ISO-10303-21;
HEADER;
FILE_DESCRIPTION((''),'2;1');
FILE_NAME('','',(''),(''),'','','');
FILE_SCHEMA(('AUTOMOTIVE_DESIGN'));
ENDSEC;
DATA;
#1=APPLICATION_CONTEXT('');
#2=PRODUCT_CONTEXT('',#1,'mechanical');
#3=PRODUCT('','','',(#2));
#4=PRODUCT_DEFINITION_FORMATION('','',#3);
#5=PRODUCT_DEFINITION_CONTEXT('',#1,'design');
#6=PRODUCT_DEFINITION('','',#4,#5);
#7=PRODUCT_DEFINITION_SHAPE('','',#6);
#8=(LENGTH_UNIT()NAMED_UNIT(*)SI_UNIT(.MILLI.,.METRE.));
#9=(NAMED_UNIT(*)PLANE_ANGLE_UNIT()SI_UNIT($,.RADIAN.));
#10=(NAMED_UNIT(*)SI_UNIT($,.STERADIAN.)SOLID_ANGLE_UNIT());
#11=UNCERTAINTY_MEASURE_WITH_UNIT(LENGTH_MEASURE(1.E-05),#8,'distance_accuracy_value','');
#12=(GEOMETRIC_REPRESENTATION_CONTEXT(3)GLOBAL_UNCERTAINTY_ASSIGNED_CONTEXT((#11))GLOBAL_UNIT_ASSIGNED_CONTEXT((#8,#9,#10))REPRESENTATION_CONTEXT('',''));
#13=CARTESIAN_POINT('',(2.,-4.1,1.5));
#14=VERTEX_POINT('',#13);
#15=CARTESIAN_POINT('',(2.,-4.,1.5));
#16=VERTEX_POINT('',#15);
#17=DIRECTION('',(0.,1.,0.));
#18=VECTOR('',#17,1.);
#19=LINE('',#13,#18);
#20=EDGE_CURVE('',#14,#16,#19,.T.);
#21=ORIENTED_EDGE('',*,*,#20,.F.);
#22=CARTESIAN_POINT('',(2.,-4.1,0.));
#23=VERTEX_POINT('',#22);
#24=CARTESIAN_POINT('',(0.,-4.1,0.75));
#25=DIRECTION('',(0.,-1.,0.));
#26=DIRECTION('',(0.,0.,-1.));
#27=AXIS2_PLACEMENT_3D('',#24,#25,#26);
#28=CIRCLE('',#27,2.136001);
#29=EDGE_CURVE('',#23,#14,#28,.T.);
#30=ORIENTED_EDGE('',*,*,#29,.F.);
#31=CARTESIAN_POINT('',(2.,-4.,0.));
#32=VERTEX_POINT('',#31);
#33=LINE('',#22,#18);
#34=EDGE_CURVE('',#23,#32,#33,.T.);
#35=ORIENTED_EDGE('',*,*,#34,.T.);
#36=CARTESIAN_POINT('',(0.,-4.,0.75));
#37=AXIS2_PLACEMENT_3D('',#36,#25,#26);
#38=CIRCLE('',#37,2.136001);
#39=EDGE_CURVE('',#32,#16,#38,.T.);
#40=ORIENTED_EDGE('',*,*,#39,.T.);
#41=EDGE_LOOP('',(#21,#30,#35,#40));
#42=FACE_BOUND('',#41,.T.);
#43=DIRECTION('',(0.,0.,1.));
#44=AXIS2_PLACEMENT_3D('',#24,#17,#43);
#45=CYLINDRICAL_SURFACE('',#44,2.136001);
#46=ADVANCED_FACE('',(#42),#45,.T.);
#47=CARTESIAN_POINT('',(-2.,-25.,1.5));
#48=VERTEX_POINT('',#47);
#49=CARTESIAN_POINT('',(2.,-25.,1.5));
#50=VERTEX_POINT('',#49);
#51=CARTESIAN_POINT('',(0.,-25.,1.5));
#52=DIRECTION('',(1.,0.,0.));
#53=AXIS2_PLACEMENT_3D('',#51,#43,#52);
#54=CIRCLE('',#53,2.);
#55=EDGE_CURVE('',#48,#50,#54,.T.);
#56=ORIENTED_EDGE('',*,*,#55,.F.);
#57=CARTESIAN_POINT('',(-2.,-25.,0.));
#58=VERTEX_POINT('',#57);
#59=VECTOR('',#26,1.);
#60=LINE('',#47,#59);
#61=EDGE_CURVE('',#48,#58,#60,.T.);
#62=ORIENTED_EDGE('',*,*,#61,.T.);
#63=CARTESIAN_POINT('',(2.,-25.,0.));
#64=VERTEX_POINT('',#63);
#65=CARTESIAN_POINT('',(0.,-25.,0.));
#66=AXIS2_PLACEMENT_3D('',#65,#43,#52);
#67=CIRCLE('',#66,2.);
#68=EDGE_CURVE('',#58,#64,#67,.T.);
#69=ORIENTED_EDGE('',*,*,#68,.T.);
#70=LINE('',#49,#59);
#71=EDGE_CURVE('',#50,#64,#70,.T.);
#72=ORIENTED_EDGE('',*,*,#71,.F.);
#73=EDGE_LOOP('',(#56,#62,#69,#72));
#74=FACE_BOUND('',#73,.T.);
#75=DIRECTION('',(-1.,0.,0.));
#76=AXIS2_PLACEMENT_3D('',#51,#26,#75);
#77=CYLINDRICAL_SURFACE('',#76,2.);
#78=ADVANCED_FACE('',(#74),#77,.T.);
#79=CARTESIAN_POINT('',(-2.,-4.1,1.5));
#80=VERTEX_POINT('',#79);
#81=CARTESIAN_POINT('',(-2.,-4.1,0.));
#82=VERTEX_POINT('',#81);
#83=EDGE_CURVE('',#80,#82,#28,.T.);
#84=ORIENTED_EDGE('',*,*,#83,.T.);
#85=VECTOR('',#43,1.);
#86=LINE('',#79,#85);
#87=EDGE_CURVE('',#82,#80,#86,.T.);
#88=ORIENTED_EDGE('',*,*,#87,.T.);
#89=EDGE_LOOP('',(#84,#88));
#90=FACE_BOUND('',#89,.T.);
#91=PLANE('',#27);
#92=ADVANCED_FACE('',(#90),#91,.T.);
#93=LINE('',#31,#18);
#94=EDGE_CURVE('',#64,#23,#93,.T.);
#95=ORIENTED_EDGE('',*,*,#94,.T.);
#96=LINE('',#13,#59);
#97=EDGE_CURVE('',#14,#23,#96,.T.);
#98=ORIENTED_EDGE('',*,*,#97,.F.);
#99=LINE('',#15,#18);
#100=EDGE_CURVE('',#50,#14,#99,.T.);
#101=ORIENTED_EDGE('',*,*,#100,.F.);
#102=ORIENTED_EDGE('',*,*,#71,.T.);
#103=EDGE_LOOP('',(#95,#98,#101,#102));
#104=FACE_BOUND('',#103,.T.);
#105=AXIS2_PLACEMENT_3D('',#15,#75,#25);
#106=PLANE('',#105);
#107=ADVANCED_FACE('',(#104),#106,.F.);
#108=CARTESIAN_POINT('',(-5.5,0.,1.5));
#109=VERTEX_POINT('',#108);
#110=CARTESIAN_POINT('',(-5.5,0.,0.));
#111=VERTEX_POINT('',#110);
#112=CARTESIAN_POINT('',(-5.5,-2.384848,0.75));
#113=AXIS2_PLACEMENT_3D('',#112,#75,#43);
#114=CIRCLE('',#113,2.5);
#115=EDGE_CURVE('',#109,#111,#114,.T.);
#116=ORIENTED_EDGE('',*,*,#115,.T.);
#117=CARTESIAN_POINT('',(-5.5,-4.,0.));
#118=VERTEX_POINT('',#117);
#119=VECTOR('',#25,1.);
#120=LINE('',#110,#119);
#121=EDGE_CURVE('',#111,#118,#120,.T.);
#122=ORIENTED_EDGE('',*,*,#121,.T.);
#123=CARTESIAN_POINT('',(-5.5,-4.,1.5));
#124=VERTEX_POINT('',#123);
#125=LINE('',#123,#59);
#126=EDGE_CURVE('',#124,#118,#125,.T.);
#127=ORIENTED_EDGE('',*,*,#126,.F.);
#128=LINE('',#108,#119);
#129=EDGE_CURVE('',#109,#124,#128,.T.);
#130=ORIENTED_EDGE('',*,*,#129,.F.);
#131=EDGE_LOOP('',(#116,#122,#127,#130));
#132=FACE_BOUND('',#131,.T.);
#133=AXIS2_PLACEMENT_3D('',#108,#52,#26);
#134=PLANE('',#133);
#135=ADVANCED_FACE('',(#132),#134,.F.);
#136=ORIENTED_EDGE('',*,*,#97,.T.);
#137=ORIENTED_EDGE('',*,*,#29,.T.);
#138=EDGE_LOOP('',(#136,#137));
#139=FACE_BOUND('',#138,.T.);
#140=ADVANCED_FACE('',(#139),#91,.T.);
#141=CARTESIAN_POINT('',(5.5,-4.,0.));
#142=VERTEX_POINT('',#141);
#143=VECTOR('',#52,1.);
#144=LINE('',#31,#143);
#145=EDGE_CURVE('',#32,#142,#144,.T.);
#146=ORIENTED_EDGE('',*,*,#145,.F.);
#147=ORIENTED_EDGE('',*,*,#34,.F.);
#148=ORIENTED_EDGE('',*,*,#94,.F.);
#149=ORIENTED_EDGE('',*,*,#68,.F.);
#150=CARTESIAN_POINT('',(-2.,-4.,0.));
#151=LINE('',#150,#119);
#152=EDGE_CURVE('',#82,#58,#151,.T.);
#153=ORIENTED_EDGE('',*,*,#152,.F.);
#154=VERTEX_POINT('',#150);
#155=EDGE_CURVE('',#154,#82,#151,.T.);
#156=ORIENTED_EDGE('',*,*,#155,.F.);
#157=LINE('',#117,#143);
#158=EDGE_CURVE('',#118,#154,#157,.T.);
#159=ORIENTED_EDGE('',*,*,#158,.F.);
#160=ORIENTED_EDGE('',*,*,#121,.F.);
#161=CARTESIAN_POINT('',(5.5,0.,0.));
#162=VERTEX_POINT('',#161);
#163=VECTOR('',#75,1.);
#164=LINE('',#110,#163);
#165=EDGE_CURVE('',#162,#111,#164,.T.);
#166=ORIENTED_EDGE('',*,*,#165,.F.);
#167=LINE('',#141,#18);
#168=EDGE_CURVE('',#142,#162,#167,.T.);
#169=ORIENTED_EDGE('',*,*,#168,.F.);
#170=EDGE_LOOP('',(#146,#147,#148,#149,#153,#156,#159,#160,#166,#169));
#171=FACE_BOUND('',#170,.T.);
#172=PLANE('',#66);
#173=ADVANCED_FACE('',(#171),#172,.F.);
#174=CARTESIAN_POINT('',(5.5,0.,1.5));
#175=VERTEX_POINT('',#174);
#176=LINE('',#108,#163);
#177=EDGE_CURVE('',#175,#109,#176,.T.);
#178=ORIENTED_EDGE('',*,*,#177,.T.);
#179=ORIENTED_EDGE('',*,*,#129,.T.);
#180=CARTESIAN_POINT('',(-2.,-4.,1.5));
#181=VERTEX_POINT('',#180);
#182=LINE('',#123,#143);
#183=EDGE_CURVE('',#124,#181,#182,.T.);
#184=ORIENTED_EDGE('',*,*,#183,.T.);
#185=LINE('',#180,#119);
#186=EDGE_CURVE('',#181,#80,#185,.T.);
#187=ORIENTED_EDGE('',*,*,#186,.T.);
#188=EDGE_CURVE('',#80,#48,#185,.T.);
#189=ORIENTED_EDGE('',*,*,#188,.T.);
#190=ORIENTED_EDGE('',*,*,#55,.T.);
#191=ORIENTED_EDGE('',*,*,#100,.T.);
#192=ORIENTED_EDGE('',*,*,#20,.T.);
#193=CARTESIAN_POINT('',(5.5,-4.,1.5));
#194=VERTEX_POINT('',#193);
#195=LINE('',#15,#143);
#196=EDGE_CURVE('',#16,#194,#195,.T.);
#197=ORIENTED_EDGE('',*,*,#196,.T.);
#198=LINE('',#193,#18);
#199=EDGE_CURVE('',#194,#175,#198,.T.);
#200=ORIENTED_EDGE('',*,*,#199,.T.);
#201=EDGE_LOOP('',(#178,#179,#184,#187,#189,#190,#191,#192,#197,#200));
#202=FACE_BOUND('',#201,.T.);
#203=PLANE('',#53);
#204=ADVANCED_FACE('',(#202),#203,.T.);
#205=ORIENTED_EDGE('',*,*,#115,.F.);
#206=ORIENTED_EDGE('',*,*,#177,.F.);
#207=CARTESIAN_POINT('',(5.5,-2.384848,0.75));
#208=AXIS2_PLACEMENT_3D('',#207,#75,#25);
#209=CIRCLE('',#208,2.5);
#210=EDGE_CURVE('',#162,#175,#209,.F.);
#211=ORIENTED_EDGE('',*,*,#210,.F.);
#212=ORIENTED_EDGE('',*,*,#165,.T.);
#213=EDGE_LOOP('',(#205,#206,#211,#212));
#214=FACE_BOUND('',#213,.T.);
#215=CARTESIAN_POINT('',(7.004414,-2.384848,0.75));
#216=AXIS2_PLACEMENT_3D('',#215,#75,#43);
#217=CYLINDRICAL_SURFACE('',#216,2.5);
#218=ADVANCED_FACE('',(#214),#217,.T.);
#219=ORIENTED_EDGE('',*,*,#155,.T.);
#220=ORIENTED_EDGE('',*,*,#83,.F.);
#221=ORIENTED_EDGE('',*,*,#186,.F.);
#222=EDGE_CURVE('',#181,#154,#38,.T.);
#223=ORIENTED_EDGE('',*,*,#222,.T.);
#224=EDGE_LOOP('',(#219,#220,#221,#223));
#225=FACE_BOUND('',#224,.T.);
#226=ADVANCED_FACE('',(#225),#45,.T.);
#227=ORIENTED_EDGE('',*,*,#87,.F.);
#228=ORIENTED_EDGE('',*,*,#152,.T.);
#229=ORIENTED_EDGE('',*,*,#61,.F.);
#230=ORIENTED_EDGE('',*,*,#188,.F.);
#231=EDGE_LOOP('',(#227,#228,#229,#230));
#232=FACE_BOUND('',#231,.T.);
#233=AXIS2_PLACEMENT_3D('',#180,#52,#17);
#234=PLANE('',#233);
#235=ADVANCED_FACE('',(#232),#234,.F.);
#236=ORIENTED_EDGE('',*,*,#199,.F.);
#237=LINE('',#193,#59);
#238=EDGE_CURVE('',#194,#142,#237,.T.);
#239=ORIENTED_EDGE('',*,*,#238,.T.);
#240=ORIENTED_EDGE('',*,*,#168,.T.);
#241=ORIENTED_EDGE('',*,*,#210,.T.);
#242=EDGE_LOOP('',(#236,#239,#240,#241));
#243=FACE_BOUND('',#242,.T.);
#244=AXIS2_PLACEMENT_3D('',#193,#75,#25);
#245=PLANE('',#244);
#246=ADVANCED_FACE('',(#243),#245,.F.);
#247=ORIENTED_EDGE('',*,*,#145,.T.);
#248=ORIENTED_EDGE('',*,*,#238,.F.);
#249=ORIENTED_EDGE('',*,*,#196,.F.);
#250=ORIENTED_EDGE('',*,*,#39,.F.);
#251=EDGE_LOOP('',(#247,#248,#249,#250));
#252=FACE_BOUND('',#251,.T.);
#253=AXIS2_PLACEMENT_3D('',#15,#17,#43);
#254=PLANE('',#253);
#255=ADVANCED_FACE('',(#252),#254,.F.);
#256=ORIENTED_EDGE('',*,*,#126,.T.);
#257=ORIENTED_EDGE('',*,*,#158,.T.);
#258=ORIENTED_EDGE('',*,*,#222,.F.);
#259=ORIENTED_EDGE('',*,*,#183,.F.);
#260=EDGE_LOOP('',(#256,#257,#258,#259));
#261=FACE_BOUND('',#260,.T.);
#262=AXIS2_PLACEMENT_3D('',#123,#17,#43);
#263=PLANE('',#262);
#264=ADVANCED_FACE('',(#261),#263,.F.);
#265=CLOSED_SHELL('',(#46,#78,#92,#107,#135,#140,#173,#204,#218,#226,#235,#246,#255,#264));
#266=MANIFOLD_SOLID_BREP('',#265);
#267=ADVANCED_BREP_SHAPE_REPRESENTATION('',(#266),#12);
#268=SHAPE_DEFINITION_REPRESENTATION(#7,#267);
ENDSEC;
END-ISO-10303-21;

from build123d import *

# Parameters (mm, degrees)
EXTRUSION1_DEPTH = 1.5
EXTRUSION2_DEPTH = 0.1
EXTRUSION3_DEPTH = 11


with BuildPart() as part:
    # Esquisse1 → Extrusion1 (new body)
    with BuildSketch(Plane.XY):
        with BuildLine():
            Line((-5.5, 0), (5.5, 0))
            Line((5.5, 0), (5.5, -4))
            Line((5.5, -4), (2, -4))
            Line((2, -4), (2, -25))
            ThreePointArc((2, -25), (0, -27), (-2, -25))
            Line((-2, -25), (-2, -4))
            Line((-2, -4), (-5.5, -4))
            Line((-5.5, -4), (-5.5, 0))
        make_face()
    extrude(amount=EXTRUSION1_DEPTH)

    # Esquisse2 → Extrusion2 (add)
    with BuildSketch(Plane.XZ.offset(4)):
        with BuildLine():
            Line((-2, 1.5), (-2, 0))
            ThreePointArc((-2, 0), (-2.136000936, 0.75), (-2, 1.5))
        make_face()
        with BuildLine():
            Line((2, 1.5), (2, 0))
            ThreePointArc((2, 0), (2.136000936, 0.75), (2, 1.5))
        make_face()
    extrude(amount=EXTRUSION2_DEPTH)

    # Esquisse3 → Extrusion3 (add)
    with BuildSketch(Plane.ZY.offset(5.5)):
        with BuildLine():
            Line((1.5, 0), (0, 0))
            ThreePointArc((0, 0), (0.75, 0.115151996), (1.5, 0))
        make_face()
    extrude(amount=-EXTRUSION3_DEPTH)


solid = part.part
